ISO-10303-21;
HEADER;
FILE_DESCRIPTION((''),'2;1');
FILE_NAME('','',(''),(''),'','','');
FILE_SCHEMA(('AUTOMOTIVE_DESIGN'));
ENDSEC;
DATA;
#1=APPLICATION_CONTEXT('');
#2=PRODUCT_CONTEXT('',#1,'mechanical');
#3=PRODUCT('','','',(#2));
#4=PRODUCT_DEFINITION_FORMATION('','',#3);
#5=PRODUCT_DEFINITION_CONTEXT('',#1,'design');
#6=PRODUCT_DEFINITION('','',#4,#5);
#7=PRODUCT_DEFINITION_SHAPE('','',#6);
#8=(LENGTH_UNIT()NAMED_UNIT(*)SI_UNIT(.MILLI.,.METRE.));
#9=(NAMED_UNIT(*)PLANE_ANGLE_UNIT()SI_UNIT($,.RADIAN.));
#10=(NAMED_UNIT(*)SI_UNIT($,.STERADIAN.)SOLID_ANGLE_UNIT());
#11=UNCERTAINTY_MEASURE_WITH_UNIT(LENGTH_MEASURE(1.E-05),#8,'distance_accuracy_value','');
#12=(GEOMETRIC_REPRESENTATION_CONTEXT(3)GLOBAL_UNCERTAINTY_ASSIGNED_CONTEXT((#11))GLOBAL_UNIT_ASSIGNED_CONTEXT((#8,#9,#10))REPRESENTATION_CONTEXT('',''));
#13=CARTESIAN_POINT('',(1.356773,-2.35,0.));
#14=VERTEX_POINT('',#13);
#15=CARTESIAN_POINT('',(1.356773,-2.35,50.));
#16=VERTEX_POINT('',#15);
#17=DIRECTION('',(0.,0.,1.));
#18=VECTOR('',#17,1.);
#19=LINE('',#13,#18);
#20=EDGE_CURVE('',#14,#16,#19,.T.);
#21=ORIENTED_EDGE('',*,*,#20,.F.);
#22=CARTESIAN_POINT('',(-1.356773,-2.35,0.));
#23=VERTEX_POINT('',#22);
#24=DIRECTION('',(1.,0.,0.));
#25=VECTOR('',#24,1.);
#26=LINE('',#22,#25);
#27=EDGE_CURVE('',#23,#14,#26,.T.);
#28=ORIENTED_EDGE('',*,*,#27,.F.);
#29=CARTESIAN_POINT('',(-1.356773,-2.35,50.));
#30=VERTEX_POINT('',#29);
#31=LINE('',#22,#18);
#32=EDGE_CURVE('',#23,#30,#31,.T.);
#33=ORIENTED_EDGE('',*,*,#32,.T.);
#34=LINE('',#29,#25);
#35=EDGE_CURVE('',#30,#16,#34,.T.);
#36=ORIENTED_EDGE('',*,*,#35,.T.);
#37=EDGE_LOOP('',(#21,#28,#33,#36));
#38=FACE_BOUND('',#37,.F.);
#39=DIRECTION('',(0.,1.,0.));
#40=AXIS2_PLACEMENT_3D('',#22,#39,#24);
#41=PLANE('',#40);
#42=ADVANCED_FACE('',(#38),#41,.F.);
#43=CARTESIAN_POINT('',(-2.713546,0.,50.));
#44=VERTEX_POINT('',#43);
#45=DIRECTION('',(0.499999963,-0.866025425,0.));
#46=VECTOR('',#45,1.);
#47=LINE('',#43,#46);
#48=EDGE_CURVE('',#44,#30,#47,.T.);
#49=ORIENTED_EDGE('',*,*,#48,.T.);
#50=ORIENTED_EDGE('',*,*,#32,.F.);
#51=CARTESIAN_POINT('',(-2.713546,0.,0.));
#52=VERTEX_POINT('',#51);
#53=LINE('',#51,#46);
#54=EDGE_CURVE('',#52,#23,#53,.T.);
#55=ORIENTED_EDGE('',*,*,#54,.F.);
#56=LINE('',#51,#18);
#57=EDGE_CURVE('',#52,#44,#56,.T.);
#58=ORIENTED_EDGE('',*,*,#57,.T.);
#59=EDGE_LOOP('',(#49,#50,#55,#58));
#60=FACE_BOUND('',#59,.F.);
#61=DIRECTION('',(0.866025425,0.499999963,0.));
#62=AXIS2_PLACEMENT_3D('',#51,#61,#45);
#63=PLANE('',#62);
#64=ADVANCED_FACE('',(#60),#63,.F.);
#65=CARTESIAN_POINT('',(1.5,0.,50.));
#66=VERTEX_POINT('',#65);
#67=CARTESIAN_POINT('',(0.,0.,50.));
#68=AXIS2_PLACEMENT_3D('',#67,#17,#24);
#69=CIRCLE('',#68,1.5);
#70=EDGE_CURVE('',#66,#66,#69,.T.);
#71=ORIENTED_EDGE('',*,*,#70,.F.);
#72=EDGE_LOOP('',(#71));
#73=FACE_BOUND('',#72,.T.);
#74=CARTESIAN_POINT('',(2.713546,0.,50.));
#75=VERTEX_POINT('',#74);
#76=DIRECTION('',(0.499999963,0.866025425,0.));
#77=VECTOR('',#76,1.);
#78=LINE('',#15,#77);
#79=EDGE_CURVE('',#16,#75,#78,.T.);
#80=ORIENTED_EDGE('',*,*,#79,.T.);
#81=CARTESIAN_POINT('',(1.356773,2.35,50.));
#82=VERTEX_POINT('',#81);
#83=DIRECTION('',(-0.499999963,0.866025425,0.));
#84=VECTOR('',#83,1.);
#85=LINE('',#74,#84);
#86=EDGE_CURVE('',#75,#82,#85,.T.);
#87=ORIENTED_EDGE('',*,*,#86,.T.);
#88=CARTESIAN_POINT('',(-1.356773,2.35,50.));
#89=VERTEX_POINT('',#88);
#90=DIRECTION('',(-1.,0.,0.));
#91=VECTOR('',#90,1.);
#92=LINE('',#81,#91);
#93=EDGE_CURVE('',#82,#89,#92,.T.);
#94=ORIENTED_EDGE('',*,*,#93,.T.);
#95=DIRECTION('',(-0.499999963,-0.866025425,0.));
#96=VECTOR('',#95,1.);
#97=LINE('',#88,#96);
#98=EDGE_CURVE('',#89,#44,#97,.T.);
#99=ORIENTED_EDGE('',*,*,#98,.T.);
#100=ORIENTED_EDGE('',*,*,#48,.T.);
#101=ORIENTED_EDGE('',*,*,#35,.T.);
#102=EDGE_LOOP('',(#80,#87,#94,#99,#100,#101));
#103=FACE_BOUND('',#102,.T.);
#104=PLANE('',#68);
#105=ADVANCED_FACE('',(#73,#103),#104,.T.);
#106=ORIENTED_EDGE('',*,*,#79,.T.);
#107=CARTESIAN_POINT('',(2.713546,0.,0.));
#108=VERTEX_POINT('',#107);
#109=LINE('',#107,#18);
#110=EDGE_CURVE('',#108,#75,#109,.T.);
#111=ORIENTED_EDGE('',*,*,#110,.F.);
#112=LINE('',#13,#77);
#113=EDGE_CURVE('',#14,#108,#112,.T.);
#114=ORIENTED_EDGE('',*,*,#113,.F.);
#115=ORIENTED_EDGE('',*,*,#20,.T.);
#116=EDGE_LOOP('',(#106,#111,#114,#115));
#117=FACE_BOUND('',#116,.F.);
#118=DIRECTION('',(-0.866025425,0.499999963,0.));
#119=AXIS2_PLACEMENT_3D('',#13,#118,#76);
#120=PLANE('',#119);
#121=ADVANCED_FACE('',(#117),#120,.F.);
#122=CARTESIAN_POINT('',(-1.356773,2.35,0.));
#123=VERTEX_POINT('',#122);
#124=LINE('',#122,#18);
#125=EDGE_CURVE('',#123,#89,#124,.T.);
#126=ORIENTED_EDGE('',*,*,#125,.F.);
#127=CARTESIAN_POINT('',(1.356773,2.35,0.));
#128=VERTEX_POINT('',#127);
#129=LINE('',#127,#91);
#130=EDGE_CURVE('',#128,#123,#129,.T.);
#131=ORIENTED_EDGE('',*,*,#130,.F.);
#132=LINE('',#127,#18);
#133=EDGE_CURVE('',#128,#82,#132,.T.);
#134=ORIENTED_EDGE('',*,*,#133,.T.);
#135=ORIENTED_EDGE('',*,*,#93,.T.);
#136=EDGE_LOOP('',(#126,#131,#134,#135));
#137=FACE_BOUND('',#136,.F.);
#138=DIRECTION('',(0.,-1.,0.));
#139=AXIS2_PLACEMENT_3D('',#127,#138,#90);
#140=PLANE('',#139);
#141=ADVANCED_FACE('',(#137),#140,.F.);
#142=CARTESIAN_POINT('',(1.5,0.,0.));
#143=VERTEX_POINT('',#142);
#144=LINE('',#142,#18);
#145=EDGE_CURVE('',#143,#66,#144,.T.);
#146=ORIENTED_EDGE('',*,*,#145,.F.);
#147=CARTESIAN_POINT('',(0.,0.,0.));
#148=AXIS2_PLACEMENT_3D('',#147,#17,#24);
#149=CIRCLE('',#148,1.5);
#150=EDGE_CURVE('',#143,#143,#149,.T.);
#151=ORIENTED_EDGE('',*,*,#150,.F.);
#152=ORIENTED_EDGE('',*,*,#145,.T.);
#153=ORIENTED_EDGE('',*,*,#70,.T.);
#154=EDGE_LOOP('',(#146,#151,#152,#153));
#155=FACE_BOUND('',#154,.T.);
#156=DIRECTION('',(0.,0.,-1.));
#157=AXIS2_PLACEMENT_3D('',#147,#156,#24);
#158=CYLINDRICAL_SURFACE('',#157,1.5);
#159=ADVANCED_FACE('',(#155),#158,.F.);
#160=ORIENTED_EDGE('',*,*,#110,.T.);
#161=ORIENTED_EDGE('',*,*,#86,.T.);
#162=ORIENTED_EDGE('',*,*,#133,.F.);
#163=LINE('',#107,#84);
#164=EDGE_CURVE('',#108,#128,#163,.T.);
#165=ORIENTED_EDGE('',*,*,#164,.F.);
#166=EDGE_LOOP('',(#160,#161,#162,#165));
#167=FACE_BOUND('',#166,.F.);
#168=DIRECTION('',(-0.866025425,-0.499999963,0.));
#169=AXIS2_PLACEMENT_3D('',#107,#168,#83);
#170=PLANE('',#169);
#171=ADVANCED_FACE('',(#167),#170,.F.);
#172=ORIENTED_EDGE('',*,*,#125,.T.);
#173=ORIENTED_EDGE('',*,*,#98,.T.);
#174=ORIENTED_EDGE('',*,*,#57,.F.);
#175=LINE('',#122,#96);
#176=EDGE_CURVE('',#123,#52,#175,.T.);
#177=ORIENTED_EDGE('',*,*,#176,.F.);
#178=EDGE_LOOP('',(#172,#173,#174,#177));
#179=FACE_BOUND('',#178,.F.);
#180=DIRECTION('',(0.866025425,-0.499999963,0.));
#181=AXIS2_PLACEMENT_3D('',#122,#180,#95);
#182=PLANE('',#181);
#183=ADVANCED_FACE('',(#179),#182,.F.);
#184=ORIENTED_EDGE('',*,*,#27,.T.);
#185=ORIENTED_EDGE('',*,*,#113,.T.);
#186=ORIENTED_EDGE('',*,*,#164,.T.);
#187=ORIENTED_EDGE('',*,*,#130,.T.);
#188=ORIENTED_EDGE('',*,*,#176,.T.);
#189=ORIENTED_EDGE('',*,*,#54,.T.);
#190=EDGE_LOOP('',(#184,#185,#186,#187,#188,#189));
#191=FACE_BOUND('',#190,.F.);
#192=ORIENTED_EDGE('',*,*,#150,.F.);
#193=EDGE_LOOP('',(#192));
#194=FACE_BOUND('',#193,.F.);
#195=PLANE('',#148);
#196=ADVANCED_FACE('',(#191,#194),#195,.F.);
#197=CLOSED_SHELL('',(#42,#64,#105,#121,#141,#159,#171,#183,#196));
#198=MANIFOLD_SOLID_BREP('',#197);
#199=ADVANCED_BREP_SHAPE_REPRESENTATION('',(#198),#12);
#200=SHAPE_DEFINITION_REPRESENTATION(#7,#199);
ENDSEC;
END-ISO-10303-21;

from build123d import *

# Parameters (mm, degrees)
SKETCH_R  = 1.5
PAD_DEPTH = 50


with BuildPart() as part:
    # Sketch → Pad (new body)
    with BuildSketch(Plane.XY):
        Polygon((1.356773, -2.35), (2.713546, 0), (1.356773, 2.35), (-1.356773, 2.35), (-2.713546, 0), (-1.356773, -2.35), align=None)
        Circle(SKETCH_R, mode=Mode.SUBTRACT)
    extrude(amount=PAD_DEPTH)


solid = part.part
